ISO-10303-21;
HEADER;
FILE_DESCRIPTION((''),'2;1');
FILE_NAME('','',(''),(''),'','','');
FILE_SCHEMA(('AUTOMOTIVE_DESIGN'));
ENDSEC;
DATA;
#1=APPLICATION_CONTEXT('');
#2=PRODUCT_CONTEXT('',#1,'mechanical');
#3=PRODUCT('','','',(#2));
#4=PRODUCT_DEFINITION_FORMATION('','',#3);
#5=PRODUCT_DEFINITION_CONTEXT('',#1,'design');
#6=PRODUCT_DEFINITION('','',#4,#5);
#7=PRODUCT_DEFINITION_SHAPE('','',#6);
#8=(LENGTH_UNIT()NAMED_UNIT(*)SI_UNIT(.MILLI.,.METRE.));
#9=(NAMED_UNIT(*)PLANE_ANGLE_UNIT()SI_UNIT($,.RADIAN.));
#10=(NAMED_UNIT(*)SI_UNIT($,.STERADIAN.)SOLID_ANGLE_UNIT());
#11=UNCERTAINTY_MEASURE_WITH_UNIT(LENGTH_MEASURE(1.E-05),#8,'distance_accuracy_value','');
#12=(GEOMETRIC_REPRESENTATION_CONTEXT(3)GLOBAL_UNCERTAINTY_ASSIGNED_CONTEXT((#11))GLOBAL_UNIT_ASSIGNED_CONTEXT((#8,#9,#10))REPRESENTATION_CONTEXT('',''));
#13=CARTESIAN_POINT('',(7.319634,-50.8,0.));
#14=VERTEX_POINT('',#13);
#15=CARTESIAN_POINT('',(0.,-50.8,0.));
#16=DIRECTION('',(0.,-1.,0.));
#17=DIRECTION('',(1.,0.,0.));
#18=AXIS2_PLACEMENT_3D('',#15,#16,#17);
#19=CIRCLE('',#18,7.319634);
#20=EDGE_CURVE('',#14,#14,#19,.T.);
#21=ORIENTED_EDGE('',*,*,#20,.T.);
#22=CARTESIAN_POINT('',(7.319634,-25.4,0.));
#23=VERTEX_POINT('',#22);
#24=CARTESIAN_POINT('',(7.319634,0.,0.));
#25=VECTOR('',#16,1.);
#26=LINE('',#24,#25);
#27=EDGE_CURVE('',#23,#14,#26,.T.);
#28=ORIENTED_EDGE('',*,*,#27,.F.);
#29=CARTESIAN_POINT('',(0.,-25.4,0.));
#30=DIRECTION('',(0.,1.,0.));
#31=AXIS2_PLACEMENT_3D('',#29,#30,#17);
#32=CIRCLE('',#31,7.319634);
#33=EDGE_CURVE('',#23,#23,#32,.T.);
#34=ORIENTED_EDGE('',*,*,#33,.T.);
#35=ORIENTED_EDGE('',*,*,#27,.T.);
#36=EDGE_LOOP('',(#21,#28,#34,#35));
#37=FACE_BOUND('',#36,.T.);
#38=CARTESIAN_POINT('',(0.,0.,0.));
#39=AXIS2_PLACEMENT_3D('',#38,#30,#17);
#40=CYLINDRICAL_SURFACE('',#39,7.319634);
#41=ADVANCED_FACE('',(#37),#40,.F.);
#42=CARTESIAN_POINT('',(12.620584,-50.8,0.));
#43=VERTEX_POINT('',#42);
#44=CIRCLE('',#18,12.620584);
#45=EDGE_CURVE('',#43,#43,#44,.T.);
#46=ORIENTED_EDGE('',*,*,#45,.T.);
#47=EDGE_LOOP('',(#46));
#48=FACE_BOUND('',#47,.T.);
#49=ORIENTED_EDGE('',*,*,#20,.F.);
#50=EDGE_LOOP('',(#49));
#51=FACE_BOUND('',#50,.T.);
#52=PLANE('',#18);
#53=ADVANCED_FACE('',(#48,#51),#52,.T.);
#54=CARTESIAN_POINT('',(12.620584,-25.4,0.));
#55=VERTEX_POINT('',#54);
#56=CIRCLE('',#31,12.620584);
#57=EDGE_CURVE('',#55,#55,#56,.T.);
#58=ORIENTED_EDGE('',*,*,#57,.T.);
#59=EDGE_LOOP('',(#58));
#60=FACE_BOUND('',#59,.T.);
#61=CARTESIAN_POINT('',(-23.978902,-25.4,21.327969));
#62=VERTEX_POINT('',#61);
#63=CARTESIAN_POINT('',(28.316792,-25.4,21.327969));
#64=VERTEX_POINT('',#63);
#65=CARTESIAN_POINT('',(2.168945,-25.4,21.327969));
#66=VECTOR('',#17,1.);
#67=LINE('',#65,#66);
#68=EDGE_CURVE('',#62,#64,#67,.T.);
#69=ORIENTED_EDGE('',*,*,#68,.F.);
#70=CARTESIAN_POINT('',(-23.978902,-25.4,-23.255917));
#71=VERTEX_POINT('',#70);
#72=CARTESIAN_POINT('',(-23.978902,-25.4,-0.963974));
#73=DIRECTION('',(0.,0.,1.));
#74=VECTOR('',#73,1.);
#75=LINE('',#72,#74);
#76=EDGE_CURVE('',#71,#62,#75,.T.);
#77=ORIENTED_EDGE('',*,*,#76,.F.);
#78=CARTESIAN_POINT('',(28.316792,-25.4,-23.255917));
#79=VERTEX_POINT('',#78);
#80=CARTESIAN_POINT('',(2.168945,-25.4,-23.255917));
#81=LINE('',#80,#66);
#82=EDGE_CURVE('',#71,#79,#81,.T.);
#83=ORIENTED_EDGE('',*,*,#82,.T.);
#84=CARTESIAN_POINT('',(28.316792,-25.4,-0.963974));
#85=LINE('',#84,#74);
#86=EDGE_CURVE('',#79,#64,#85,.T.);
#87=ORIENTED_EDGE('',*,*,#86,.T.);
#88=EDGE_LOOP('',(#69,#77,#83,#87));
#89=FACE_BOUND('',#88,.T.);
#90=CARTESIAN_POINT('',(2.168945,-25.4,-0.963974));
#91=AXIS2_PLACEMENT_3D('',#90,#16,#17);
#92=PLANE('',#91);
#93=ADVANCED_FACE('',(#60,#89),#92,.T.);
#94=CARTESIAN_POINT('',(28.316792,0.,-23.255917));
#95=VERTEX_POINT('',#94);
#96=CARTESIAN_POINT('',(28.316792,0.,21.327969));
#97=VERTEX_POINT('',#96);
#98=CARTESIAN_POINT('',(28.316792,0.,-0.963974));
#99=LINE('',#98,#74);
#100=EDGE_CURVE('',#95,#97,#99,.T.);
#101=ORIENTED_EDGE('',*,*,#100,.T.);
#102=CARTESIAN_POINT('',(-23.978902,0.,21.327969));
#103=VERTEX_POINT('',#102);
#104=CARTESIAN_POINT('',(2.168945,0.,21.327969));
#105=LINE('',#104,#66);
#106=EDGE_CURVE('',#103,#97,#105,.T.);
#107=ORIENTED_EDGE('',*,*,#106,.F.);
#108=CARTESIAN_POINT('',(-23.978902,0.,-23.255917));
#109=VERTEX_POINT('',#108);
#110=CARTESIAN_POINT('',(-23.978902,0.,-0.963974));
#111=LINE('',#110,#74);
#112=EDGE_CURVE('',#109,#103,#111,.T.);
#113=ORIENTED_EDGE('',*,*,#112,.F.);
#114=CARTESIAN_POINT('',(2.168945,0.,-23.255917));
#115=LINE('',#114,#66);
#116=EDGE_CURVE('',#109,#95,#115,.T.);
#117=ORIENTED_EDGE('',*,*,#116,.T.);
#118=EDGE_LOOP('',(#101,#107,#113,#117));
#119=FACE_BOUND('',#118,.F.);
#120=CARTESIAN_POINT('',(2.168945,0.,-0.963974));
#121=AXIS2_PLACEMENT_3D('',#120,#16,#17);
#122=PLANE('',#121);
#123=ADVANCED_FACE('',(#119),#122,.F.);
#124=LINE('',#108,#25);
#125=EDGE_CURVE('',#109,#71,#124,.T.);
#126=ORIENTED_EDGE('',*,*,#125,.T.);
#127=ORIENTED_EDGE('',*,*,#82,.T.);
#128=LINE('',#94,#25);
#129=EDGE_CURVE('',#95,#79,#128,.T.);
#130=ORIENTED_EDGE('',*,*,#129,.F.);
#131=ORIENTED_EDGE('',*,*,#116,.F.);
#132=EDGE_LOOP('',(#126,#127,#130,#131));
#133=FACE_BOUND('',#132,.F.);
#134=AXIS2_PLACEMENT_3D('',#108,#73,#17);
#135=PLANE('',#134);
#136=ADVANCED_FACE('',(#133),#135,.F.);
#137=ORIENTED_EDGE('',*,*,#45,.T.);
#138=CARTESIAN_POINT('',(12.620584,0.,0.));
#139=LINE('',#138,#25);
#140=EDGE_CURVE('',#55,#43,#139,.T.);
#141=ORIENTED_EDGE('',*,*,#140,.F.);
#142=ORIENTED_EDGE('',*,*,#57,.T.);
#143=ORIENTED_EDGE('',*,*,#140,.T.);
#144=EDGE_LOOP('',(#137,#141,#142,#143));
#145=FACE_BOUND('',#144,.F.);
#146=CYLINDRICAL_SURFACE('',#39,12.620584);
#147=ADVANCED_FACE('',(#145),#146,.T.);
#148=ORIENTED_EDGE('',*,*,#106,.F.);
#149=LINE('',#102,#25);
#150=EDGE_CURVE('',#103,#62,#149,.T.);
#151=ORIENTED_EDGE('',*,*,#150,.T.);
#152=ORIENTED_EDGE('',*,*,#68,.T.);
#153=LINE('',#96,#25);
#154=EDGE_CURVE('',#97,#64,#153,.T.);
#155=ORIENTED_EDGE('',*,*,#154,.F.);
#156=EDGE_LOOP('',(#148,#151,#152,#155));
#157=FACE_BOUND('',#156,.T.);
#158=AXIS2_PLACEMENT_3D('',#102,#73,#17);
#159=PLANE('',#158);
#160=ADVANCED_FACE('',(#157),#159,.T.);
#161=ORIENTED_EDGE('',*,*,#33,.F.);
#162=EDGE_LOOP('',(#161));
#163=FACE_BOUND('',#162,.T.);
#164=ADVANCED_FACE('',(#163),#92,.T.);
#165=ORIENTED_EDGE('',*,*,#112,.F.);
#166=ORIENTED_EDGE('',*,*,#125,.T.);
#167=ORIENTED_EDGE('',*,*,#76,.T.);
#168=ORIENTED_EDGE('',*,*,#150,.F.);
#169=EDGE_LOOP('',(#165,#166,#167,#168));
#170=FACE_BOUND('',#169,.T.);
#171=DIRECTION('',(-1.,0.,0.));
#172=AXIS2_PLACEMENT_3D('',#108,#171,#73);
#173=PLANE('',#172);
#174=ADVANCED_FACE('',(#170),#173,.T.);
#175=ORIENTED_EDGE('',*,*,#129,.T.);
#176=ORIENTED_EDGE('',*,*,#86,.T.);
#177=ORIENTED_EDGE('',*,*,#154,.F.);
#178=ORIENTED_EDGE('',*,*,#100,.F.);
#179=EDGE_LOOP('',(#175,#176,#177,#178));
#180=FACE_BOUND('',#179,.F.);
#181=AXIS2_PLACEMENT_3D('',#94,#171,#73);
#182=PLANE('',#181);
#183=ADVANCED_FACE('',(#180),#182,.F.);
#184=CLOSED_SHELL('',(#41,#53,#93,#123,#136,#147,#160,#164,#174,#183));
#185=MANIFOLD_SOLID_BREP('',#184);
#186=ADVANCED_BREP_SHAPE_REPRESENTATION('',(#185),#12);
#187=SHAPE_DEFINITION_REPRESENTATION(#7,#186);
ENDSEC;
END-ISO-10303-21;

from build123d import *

# Parameters (mm, degrees)
F0_R     = 12.620584
F0_R_2   = 7.319634
F1_DEPTH = 50.8
F2_W     = 52.295694
F2_H     = 44.583887
F3_DEPTH = 25.4


with BuildPart() as f1:
    # F0 (on Front) → F1 (new body)
    with BuildSketch(Plane.XZ):
        Circle(F0_R)
        Circle(F0_R_2, mode=Mode.SUBTRACT)
    extrude(amount=F1_DEPTH)

    # F2 (on Front) → F3 (join)
    with BuildSketch(Plane.XZ):
        with Locations((2.168945, -0.963974)):
            Rectangle(F2_W, F2_H)
    extrude(amount=F3_DEPTH)


solid = f1.part
